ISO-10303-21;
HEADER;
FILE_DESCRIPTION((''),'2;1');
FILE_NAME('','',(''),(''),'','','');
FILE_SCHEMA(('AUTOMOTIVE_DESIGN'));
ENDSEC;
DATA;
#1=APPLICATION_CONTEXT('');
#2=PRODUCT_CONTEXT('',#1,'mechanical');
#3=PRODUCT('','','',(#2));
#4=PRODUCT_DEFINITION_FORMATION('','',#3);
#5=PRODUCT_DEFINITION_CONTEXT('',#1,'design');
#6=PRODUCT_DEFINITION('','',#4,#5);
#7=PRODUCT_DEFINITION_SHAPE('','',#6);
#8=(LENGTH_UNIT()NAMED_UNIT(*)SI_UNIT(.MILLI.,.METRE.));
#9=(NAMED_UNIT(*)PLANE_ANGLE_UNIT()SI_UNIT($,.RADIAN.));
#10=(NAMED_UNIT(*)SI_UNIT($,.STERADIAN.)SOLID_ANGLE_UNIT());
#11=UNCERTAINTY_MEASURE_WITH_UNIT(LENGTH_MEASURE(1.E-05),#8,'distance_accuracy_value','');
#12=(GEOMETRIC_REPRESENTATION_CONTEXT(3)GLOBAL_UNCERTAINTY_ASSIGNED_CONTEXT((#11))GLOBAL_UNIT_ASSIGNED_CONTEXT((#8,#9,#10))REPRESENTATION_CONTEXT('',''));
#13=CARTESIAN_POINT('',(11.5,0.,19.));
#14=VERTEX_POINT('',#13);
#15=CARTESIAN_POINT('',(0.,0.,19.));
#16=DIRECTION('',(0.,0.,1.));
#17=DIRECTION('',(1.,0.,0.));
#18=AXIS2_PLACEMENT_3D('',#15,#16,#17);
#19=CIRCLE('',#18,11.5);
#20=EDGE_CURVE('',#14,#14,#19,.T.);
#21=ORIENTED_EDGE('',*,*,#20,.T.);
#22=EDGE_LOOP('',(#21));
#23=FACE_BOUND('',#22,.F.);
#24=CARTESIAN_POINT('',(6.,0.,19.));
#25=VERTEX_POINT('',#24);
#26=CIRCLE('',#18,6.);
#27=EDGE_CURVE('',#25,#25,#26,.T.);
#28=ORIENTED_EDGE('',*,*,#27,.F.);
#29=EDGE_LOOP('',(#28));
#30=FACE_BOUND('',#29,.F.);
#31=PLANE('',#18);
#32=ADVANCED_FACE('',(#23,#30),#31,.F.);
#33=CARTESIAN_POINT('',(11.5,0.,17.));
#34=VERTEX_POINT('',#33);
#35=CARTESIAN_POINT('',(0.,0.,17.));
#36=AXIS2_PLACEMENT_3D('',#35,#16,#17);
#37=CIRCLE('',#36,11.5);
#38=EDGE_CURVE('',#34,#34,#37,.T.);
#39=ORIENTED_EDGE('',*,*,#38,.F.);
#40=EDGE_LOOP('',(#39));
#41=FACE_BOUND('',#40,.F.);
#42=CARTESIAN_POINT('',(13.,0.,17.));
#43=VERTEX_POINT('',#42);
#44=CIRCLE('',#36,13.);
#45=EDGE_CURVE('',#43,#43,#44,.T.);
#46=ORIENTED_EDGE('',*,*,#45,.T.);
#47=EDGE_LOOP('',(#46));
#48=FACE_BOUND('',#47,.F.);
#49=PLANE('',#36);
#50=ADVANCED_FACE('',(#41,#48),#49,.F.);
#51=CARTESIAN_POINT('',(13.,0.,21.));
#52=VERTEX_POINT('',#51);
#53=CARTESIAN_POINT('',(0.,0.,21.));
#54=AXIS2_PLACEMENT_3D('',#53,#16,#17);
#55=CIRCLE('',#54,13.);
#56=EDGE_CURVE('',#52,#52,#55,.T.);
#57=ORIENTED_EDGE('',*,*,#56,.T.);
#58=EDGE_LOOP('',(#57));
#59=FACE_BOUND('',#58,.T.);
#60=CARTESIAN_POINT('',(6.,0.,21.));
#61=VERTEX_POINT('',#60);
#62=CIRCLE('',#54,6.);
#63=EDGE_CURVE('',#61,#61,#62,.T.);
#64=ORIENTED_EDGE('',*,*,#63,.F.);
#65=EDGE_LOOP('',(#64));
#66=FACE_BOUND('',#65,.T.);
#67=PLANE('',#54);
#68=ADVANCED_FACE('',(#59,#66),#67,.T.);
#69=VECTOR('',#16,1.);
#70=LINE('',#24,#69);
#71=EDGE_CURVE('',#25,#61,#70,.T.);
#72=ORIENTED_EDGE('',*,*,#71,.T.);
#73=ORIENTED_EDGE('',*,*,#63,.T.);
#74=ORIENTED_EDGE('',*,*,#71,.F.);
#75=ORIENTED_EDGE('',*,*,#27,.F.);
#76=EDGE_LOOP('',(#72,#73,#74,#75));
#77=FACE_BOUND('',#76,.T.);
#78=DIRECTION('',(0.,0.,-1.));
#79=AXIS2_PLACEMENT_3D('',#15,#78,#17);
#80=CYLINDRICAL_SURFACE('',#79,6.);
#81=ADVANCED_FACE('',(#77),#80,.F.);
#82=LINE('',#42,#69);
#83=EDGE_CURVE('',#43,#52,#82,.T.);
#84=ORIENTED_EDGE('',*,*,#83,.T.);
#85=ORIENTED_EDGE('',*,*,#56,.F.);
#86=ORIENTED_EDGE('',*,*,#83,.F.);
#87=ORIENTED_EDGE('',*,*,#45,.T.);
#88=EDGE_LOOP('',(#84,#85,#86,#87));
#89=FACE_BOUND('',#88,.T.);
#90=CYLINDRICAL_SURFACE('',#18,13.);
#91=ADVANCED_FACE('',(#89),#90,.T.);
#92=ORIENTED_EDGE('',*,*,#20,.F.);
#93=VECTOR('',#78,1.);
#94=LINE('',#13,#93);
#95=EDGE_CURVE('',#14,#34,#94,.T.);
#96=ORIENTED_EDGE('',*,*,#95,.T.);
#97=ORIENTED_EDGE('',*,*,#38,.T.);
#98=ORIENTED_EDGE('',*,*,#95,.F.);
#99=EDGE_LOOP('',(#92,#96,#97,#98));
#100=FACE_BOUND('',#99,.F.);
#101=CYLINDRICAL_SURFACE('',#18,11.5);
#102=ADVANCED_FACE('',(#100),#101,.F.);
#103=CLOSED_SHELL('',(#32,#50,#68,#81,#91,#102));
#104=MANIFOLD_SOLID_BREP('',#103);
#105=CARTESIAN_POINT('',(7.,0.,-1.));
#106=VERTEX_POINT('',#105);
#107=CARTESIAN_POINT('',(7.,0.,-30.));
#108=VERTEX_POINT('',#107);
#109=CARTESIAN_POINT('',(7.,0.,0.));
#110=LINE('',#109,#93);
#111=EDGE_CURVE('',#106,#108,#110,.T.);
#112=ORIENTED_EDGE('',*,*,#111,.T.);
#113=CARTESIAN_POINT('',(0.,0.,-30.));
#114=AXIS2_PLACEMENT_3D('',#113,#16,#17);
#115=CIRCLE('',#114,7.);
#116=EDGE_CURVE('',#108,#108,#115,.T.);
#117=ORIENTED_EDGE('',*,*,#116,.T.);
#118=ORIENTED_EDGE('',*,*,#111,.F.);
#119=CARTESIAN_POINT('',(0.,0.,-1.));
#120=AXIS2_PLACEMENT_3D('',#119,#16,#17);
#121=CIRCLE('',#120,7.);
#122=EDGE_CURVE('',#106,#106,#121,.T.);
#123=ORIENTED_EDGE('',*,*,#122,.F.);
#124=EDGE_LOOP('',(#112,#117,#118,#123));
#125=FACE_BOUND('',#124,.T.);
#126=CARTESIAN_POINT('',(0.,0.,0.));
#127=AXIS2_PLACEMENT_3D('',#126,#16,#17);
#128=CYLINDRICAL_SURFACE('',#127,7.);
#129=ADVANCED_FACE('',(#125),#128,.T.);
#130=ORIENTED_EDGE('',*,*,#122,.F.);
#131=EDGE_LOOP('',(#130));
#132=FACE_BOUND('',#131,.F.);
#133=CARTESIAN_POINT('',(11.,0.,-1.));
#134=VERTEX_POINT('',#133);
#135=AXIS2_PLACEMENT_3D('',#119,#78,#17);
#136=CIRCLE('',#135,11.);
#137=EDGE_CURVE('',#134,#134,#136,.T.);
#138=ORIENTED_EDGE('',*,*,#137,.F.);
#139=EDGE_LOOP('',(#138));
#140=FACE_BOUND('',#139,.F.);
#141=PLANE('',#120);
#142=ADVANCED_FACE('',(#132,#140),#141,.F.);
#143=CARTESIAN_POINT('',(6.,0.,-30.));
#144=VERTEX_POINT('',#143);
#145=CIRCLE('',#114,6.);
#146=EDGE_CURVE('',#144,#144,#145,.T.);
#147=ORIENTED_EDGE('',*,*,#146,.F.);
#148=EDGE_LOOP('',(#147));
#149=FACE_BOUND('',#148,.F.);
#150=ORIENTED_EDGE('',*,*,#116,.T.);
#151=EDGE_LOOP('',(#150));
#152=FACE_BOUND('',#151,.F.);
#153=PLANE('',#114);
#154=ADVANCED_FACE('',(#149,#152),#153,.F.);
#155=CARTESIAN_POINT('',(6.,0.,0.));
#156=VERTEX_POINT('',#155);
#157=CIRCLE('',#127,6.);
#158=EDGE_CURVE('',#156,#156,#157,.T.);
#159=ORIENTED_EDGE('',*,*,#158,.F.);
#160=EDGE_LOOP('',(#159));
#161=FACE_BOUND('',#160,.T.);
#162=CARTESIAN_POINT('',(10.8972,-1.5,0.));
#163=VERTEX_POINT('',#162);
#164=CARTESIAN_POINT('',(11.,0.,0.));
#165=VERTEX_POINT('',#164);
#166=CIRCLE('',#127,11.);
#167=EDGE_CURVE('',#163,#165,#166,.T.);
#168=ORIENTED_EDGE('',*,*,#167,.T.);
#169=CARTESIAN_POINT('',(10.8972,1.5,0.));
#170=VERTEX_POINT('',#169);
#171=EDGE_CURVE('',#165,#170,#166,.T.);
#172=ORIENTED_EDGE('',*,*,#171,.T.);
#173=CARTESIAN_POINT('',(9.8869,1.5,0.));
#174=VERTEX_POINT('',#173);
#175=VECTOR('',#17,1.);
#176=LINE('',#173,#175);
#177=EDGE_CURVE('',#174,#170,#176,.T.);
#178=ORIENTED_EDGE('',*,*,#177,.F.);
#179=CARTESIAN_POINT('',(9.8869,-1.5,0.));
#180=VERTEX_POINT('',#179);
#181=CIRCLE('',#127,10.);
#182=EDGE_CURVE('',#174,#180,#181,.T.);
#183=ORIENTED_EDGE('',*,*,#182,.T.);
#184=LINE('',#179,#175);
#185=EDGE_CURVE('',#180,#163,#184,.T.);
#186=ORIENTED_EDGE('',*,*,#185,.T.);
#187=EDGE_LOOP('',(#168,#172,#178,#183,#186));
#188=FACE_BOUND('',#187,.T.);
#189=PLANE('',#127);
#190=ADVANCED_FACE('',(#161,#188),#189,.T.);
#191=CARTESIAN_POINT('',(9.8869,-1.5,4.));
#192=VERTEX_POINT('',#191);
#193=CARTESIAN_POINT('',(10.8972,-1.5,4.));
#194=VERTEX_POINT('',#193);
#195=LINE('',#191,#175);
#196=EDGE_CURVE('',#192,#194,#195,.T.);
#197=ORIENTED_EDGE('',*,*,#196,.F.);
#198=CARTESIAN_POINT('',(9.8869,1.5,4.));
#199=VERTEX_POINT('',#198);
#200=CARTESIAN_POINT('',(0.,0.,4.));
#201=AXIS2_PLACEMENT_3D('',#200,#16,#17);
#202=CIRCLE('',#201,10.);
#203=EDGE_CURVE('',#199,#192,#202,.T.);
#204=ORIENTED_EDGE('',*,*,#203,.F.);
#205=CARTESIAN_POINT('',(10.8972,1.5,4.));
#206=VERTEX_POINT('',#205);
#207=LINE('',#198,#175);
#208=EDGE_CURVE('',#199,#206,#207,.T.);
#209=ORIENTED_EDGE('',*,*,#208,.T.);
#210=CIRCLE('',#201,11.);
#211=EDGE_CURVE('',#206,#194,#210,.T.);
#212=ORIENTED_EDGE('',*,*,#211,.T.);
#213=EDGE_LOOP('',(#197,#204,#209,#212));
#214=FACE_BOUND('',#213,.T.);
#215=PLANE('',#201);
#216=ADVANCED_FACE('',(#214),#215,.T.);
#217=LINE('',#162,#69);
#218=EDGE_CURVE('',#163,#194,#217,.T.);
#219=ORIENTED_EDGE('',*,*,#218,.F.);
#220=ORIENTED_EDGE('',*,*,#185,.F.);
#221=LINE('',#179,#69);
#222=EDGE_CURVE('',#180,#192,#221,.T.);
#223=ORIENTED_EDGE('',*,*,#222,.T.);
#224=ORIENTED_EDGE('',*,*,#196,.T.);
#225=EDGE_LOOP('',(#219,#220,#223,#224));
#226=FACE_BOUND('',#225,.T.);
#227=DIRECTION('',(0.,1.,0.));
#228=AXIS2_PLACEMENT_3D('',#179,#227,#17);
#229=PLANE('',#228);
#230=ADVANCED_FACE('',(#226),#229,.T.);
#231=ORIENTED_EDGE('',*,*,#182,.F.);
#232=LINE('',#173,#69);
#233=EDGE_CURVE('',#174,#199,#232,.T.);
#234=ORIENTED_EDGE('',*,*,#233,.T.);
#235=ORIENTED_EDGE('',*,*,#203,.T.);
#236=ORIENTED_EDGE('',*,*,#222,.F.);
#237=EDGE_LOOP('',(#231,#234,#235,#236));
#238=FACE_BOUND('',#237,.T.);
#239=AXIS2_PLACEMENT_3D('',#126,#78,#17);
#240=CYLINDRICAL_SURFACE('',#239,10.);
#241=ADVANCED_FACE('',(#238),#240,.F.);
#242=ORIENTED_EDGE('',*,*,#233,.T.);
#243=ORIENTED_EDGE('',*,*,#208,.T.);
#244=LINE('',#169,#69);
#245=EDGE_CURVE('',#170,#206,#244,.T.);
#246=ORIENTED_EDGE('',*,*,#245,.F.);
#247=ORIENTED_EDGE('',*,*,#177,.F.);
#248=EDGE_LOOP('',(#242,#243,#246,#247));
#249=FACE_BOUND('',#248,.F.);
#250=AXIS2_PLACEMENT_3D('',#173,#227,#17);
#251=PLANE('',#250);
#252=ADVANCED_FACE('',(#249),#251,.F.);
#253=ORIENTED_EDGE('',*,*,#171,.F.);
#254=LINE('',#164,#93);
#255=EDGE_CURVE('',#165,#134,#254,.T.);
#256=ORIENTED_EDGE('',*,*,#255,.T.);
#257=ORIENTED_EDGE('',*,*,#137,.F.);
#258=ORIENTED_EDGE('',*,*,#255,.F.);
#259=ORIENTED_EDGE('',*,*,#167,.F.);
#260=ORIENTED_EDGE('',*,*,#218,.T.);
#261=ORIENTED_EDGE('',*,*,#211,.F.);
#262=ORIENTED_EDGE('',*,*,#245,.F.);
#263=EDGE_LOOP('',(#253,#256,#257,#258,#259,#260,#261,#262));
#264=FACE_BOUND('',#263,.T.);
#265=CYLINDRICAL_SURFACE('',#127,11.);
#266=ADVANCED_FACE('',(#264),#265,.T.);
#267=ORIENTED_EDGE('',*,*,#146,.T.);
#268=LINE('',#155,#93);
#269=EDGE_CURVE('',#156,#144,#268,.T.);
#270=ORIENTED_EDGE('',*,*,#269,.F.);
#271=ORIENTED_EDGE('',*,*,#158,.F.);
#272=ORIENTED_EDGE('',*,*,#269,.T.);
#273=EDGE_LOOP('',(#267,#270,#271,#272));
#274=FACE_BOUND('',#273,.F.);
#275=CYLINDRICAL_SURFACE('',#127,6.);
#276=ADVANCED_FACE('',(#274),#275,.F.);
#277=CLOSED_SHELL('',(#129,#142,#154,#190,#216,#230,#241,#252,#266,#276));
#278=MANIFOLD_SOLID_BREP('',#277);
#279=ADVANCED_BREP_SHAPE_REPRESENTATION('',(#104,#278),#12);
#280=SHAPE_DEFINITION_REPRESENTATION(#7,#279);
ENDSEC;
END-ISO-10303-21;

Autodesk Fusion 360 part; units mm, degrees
sketch "Sketch1" plane through (0, 0, 0) normal (0, 0, 1) x (1, 0, 0)
  circle A0 centre (0, 0) radius 10
  circle A1 centre (0, 0) radius 6
  circle A2 centre (0, 0) radius 11
  circle A3 centre (0, 0) radius 7
  line L0 (9.8869, -1.5) -> (10.8972, -1.5)
  line L1 (9.8869, 1.5) -> (10.8972, 1.5)
  dimension "d1" = 20
  dimension "d2" = 12
extrude "Extrude1" add sketch "Sketch1" against normal blind 30 contours A3 makes body 1
extrude "Extrude2" add sketch "Sketch1" against normal blind 1 contours A0 | A0 A2 L0 L1 | A0 A2 L0 L1 bodies 1
extrude "Extrude3" add sketch "Sketch1" along normal blind 4 contours A0 A2 L0 L1 | A0 A2 L0 L1 bodies 1
extrude "Extrude4" cut sketch "Sketch1" along normal blind 10.5 contours A0 A2 L0 L1 picked at (10.2446, 1.334) bodies 1
ref_plane "WorkPlane1" through (0, 0, 19) normal (0, 0, 1) x (1, 0, 0)
sketch "Sketch2" plane through (0, 0, 19) normal (0, 0, 1) x (1, 0, 0)
  circle A0 centre (0, 0) radius 11
  circle A1 centre (0, 0) radius 11.5
  circle A2 centre (0, 0) radius 13
  circle A3 centre (0, 0) radius 6
  dimension "d14" = 0.5
  dimension "d15" = 2
  dimension "d16" = 12
extrude "Extrude5" add sketch "Sketch2" along normal blind 2 separate body contours A0 | A1 | A2 makes body 2
extrude "Extrude6" add sketch "Sketch2" against normal blind 2 contours A2 bodies 2
